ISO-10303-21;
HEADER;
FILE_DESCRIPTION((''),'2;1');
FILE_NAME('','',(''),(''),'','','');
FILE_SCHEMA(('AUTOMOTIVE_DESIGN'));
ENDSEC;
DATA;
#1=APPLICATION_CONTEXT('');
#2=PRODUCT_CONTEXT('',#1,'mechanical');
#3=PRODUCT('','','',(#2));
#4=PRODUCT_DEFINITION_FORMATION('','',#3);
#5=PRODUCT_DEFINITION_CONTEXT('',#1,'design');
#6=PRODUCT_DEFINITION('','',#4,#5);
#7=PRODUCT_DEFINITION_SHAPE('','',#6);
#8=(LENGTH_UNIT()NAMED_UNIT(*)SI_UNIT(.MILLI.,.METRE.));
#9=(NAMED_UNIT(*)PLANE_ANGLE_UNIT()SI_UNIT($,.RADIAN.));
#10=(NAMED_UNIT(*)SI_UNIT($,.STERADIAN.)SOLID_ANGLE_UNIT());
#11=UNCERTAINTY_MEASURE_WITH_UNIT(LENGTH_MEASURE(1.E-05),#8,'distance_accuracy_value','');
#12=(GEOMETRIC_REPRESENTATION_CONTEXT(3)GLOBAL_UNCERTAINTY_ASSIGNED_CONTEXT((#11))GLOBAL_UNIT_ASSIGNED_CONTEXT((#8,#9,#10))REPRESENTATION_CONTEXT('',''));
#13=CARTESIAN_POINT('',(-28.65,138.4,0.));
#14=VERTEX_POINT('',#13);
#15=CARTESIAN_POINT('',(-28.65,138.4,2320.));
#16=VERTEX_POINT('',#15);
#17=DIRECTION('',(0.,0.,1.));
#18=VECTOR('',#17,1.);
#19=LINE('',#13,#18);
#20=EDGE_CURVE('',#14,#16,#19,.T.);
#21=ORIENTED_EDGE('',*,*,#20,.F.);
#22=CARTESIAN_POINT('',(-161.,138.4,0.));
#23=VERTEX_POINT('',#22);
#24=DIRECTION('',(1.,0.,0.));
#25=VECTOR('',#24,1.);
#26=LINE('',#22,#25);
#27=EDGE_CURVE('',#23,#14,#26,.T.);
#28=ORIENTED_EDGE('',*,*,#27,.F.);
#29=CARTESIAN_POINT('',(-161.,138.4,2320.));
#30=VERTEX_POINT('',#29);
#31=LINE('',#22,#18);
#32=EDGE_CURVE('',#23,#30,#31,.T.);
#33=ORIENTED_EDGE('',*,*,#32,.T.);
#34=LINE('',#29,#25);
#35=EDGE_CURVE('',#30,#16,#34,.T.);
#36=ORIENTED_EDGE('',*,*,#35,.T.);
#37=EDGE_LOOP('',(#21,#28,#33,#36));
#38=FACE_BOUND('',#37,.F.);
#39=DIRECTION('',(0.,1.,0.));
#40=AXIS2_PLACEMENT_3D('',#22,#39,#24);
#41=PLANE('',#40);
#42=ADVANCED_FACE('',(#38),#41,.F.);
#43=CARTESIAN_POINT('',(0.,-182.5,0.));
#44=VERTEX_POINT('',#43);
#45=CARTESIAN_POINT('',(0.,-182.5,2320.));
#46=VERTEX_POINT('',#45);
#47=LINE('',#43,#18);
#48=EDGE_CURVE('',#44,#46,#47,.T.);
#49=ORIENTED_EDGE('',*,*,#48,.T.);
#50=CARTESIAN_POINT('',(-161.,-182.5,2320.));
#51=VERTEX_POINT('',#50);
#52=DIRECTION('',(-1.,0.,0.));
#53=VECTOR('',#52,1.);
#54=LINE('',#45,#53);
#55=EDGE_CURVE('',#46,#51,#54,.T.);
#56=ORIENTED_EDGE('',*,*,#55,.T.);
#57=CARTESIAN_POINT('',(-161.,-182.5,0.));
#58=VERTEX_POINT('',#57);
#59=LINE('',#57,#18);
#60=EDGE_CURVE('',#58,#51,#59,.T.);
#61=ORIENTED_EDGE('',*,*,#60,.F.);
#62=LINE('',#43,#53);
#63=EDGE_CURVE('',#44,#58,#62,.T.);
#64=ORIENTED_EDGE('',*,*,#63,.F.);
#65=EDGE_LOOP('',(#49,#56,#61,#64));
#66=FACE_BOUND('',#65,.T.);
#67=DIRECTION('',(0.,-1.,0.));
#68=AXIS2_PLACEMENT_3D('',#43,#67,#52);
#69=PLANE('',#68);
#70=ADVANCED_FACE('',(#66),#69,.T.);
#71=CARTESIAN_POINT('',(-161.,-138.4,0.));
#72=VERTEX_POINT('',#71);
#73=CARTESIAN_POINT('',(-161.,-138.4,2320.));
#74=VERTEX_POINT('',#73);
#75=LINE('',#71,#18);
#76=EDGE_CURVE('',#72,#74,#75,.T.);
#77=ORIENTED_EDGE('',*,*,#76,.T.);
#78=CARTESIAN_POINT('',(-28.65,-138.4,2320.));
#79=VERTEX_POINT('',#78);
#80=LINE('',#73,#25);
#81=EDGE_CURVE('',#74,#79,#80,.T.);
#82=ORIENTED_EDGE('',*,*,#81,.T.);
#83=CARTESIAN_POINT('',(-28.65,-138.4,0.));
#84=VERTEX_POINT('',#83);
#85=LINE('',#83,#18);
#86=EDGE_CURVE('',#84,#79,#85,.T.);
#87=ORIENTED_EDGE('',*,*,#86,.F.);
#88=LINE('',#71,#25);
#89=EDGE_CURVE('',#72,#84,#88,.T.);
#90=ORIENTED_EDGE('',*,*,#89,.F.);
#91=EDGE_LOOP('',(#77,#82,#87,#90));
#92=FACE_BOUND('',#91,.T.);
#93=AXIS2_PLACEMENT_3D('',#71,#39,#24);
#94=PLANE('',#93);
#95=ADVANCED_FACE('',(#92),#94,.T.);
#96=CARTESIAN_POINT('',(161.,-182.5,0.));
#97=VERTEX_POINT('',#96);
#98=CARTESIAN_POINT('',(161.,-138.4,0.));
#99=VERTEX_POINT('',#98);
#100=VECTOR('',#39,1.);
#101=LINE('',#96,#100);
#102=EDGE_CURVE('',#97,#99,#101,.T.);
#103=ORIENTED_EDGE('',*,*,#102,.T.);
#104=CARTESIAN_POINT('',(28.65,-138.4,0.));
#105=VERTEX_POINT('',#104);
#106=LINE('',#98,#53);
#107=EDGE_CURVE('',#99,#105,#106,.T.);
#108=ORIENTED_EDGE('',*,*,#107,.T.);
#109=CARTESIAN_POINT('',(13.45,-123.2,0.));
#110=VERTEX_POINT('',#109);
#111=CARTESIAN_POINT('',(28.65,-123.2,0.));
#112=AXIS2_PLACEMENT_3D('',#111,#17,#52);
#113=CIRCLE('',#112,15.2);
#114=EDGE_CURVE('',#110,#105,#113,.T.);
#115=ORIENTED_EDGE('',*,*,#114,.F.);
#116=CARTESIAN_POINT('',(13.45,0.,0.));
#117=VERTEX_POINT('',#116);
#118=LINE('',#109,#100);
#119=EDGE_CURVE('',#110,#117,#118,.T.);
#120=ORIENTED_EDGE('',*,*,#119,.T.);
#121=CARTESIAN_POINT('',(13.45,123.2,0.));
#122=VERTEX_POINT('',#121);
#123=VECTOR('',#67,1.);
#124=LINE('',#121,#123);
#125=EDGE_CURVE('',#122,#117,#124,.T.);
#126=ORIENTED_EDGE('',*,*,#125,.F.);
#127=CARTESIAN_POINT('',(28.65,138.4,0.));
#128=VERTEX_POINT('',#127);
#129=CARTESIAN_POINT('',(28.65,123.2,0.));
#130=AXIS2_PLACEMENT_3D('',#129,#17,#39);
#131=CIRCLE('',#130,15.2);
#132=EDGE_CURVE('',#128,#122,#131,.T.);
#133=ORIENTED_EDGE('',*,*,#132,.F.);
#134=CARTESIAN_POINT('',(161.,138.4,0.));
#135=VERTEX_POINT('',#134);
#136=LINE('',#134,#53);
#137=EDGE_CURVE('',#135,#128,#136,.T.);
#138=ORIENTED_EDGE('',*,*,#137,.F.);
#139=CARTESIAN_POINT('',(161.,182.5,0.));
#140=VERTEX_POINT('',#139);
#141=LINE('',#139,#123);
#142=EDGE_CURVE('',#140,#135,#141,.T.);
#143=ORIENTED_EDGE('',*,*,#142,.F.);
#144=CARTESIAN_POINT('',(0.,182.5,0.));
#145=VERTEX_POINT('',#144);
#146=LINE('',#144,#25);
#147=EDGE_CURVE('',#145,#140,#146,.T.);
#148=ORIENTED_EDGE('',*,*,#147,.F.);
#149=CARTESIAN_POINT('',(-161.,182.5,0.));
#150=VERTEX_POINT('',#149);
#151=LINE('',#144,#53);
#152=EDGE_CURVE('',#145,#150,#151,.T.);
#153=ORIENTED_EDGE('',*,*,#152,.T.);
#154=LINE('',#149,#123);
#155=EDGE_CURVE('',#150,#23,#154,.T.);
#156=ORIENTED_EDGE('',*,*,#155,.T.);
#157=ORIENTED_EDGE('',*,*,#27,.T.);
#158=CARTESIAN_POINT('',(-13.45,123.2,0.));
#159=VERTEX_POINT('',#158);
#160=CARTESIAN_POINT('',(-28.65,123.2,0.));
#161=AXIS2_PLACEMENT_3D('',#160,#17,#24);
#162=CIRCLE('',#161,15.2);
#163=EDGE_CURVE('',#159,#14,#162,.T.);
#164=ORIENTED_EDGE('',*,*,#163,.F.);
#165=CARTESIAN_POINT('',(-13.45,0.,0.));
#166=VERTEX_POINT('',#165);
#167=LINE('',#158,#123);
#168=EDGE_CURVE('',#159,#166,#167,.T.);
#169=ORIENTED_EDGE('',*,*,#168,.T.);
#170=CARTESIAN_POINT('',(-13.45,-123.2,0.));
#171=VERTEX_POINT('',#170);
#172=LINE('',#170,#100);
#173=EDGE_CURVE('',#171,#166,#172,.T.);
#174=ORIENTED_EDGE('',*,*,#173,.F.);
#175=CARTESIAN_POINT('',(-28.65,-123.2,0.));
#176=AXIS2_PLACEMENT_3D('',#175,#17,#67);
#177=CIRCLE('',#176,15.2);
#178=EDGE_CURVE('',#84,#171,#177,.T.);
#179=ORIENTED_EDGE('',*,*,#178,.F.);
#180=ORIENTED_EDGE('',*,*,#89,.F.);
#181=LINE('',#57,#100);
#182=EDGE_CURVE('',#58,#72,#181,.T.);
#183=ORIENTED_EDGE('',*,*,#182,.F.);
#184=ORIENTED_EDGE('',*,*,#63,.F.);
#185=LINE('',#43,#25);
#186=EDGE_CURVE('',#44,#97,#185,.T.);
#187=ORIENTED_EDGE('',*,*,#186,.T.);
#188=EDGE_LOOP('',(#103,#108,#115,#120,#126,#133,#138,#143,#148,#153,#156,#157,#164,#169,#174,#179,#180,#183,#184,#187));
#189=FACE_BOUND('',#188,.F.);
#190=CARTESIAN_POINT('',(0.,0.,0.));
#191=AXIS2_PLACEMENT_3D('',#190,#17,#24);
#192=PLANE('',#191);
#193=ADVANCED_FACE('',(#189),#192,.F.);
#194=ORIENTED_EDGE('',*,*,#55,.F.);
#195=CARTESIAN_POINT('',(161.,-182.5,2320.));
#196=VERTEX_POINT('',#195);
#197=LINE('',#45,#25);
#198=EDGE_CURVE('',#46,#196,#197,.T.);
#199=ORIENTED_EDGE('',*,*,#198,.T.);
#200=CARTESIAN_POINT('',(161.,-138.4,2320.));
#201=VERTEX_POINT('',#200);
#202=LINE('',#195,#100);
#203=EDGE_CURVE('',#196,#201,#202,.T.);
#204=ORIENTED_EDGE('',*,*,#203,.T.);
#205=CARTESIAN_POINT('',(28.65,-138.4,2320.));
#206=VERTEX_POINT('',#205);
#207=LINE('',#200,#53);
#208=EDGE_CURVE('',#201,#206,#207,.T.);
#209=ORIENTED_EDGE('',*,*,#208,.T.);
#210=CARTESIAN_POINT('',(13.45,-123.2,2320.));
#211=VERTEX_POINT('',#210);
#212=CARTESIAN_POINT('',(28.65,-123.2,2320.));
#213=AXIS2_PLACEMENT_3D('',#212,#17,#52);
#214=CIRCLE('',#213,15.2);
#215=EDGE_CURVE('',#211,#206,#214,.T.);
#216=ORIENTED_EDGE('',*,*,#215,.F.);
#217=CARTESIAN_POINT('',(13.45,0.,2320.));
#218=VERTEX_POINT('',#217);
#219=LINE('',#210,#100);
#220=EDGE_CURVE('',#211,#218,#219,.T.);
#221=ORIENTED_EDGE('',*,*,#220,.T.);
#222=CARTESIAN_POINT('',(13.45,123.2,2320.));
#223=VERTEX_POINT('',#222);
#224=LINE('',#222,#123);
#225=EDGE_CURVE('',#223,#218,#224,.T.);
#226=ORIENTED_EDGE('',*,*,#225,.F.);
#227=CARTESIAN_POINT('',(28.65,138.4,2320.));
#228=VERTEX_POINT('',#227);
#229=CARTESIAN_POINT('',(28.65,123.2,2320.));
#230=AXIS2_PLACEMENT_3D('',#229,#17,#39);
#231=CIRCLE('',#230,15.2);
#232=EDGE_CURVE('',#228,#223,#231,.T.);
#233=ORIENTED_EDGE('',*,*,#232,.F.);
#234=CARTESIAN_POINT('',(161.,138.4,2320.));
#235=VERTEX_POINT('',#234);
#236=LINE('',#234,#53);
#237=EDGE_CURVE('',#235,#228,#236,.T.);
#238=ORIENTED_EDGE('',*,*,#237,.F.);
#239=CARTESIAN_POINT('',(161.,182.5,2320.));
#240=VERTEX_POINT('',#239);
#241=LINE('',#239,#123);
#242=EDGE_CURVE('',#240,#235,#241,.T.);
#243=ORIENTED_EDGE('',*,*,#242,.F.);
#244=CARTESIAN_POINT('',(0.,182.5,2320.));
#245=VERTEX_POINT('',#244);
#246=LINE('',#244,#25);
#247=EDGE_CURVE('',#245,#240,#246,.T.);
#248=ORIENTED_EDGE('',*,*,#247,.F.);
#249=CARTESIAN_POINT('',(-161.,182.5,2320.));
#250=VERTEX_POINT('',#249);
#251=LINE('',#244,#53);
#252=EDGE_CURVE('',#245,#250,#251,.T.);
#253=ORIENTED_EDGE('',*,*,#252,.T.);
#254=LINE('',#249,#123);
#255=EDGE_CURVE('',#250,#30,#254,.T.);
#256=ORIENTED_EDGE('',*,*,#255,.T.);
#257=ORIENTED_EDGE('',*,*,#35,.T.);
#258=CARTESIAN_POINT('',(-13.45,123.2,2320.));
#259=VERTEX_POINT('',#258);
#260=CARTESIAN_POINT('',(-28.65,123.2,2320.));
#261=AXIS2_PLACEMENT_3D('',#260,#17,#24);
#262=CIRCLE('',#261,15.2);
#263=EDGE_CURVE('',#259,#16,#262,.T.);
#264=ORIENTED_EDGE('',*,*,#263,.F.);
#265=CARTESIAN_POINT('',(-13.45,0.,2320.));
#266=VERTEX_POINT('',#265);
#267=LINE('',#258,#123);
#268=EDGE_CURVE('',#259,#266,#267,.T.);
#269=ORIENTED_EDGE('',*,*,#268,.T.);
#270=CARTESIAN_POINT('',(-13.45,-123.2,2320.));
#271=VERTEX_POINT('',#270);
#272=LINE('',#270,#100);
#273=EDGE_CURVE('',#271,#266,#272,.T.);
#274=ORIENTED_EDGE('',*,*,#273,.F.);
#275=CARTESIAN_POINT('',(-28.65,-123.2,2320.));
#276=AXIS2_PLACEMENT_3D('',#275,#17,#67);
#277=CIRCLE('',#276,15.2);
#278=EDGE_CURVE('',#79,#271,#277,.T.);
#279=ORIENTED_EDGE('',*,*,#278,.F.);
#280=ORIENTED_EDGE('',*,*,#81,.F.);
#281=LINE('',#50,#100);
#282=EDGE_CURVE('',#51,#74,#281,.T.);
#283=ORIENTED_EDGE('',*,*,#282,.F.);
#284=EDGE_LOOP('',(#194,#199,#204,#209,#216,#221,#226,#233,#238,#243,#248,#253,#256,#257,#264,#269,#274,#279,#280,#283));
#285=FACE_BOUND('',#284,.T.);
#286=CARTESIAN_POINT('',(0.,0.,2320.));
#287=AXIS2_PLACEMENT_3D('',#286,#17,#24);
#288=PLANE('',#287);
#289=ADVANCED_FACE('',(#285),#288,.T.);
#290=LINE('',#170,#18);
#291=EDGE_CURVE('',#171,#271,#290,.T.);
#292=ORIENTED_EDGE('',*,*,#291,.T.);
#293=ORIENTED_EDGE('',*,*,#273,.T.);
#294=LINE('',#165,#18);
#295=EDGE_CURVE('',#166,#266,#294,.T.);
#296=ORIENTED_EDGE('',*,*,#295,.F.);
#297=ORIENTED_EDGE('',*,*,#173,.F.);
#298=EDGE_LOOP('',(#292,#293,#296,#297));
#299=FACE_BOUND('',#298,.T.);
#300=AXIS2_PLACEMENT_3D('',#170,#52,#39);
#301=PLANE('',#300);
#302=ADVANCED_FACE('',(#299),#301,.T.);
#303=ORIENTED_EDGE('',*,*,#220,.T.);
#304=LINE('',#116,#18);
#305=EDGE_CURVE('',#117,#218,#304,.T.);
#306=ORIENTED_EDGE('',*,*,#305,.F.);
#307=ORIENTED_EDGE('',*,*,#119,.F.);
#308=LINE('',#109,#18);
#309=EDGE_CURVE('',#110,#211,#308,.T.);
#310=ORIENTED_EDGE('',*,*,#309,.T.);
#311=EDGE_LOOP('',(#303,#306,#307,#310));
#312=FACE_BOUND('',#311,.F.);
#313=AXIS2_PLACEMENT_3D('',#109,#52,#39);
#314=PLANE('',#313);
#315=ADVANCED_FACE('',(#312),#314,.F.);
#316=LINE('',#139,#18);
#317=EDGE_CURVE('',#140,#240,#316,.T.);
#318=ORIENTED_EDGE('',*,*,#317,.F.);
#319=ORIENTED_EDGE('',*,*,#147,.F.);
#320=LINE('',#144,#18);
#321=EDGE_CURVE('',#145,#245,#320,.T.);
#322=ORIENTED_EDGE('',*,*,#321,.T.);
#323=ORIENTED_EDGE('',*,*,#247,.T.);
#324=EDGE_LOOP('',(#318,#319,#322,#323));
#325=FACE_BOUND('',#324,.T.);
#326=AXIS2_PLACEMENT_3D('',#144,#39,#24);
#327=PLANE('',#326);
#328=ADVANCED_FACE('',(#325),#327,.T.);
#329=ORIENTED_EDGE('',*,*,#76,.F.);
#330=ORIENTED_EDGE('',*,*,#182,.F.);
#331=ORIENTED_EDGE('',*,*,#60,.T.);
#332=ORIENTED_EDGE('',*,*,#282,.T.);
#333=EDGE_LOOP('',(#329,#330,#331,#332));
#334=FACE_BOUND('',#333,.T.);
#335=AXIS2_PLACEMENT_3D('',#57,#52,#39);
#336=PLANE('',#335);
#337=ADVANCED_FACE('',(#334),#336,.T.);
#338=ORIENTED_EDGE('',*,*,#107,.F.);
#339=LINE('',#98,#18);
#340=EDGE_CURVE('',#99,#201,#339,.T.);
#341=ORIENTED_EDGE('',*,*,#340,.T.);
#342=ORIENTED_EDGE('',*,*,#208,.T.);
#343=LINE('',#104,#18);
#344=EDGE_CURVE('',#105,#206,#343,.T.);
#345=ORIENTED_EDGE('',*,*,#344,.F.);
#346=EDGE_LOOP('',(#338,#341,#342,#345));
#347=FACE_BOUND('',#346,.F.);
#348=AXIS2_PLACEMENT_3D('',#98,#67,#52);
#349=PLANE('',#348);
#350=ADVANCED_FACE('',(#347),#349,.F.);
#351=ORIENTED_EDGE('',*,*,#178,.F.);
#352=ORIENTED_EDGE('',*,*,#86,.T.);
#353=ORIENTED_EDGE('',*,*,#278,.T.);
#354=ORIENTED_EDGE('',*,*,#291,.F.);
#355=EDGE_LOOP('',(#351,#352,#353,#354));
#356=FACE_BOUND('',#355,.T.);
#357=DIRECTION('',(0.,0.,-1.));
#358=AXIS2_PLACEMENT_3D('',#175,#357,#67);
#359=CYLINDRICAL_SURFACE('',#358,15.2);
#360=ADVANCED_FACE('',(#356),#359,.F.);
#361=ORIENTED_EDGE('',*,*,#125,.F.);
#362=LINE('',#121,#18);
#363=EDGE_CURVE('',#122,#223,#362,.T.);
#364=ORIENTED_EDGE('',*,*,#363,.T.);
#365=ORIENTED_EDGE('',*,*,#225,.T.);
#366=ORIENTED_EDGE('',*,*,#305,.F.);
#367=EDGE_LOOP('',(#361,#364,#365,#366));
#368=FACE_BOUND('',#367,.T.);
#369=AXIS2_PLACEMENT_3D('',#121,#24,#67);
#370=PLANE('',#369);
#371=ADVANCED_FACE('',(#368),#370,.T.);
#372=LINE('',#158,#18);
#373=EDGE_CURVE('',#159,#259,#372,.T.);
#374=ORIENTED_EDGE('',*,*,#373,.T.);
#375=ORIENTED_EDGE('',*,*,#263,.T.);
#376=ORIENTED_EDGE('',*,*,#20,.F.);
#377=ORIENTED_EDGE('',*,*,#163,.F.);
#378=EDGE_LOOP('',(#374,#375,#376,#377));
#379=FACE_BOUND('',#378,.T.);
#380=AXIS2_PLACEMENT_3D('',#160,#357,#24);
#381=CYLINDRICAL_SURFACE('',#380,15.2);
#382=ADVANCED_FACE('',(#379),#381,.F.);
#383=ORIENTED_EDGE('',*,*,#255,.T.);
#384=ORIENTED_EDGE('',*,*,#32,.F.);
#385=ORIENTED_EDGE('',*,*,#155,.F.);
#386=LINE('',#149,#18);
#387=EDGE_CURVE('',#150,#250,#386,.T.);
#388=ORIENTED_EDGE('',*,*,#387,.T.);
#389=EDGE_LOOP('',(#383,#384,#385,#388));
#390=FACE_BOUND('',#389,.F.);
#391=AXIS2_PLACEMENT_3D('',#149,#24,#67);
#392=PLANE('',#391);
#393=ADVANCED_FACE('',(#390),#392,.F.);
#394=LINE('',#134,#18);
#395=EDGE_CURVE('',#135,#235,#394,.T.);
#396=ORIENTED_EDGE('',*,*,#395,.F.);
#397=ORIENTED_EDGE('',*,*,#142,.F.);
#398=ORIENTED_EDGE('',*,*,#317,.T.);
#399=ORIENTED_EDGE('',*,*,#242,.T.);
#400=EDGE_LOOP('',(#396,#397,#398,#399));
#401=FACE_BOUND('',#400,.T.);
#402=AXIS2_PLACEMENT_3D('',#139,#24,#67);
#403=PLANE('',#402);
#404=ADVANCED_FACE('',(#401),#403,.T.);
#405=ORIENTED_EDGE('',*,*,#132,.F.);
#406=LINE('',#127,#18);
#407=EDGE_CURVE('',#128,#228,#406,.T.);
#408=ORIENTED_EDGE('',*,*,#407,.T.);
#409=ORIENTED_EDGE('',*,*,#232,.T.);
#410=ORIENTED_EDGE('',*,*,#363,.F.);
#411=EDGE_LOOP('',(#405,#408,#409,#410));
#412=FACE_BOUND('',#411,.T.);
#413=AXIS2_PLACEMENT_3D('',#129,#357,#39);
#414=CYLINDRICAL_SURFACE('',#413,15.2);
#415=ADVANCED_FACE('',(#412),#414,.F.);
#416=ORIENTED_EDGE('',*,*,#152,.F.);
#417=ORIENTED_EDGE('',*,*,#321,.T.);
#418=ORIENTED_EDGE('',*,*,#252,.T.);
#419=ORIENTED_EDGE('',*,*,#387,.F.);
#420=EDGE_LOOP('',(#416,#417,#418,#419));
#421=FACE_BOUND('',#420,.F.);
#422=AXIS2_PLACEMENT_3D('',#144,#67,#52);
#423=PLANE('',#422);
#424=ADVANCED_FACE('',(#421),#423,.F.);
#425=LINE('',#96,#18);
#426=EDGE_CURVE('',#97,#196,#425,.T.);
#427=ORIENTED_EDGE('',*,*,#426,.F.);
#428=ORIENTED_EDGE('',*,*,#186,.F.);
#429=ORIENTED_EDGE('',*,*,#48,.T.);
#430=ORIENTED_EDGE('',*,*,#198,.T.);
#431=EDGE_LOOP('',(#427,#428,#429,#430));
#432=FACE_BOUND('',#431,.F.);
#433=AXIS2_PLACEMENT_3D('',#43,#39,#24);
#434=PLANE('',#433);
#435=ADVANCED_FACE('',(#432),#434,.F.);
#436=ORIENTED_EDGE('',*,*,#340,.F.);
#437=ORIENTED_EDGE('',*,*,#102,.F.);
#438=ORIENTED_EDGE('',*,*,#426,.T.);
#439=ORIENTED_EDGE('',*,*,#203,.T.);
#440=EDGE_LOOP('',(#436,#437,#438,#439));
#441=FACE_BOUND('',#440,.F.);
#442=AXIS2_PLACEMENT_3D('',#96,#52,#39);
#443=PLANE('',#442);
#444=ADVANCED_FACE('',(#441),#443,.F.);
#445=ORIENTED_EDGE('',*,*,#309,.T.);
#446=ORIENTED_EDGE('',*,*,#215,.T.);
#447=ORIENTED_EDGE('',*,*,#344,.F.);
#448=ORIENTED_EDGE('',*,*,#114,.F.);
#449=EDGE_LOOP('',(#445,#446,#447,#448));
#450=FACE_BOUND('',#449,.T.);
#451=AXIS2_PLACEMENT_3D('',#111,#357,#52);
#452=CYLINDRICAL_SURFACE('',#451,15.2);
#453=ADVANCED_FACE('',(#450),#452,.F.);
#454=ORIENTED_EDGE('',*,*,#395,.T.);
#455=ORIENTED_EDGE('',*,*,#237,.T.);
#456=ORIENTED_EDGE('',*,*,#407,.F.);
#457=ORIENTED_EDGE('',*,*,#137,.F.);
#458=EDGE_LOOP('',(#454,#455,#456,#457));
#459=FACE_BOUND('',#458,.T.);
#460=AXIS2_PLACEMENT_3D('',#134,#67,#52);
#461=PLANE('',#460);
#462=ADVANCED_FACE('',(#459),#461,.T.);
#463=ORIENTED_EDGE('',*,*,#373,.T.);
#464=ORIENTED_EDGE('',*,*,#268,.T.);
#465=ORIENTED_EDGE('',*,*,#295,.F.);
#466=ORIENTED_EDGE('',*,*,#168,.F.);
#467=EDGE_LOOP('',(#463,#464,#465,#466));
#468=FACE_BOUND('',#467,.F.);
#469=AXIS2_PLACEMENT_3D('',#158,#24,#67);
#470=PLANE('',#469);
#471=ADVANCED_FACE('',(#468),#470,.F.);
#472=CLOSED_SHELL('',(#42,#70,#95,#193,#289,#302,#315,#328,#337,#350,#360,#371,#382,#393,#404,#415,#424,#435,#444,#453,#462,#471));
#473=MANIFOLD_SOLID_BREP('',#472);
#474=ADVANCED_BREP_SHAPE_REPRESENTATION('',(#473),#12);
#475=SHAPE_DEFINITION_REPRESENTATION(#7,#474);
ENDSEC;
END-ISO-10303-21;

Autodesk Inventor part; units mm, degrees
ref_plane "YZ Plane" through (0, 0, 0) normal (1, 0, 0) x (0, 1, 0)
ref_plane "Start plane" through (0, 0, 0) normal (0, 0, 1) x (1, 0, 0)
ref_plane "End plane" through (0, 0, 2320) normal (0, 0, 1) x (1, 0, 0)
sketch "Sketch" plane through (0, 0, 0) normal (0, 0, 1) x (1, 0, 0)
  line L0 (-161, -182.5) -> (-161, -138.4)
  line L1 (-161, -138.4) -> (-28.65, -138.4)
  line L2 (-13.45, -123.2) -> (-13.45, 0)
  line L3 (-13.45, 0) -> (0, 0) construction
  line L4 (0, 0) -> (0, -182.5) construction
  line L5 (0, -182.5) -> (-161, -182.5)
  line L6 (-60, 0) -> (80, 0) construction
  line L7 (0, -60) -> (0, 80) construction
  line L8 (161, -182.5) -> (161, -138.4)
  line L9 (161, -138.4) -> (28.65, -138.4)
  line L10 (13.45, -123.2) -> (13.45, 0)
  line L11 (13.45, 0) -> (0, 0) construction
  line L12 (0, -182.5) -> (161, -182.5)
  line L13 (-161, 182.5) -> (-161, 138.4)
  line L14 (-161, 138.4) -> (-28.65, 138.4)
  line L15 (-13.45, 123.2) -> (-13.45, 0)
  line L16 (0, 182.5) -> (-161, 182.5)
  line L17 (161, 182.5) -> (161, 138.4)
  line L18 (161, 138.4) -> (28.65, 138.4)
  line L19 (0, 182.5) -> (161, 182.5)
  line L20 (13.45, 123.2) -> (13.45, 0)
  arc A0 (-13.45, 123.2) -> (-28.65, 138.4) centre (-28.65, 123.2) ccw
  arc A1 (28.65, 138.4) -> (13.45, 123.2) centre (28.65, 123.2) ccw
  arc A2 (13.45, -123.2) -> (28.65, -138.4) centre (28.65, -123.2) ccw
  arc A3 (-28.65, -138.4) -> (-13.45, -123.2) centre (-28.65, -123.2) ccw
  line L21 (0, 108) -> (0, -88) construction
  line L22 (-88, 0) -> (108, 0) construction
  point P0 (-13.45, -138.4)
  point P1 (13.45, -138.4)
  point P2 (-13.45, 138.4)
  point P3 (13.45, 138.4)
  dimension "d1" = 182.5
  dimension "d2" = 44.1
  dimension "d3" = 161
  dimension "d4" = 13.45
  dimension "d10" = 15.2
extrude "Body" add sketch "Sketch" along normal up to surface (2320 mm away) from surface at 0
sketch "Sketch4" plane through (0, 0, 0) normal (0, 0, 1) x (1, 0, 0)
  line L0 (0, 0) -> (10, 0)
ref_plane "Work Plane3" through (0, 0, 0) normal (0, -1, 0) x (1, 0, 0)
sketch "Sketch5" plane through (0, 0, 0) normal (0, -1, 0) x (1, 0, 0)
  line L0 (-2, 0) -> (12, 0) projected
  line L1 (-2, 2320) -> (12, 2320) projected
  dimension "d14" = 2320
equation "\"d1\" = 0.5 * G_H"
equation "\"d2\" = G_T1"
equation "\"d3\" = 0.5 * G_W"
equation "\"d4\" = 0.5 * G_T"
equation "\"d10\" = G_IR"
equation "\"d5\" = G_L"
equation "\"G_W\" = 322"
equation "\"G_H\" = 365"
equation "\"G_T\" = 26.9"
equation "\"G_T1\" = 44.1"
equation "\"G_IR\" = 15.2"
equation "\"G_L\" = d14"
equation "\"G_OFFSET_START\" = 0"
equation "\"G_OFFSET_END\" = 0"
properties part number "AS 3679 - 310 UC - 283 - 2320" material "Steel, Mild"
